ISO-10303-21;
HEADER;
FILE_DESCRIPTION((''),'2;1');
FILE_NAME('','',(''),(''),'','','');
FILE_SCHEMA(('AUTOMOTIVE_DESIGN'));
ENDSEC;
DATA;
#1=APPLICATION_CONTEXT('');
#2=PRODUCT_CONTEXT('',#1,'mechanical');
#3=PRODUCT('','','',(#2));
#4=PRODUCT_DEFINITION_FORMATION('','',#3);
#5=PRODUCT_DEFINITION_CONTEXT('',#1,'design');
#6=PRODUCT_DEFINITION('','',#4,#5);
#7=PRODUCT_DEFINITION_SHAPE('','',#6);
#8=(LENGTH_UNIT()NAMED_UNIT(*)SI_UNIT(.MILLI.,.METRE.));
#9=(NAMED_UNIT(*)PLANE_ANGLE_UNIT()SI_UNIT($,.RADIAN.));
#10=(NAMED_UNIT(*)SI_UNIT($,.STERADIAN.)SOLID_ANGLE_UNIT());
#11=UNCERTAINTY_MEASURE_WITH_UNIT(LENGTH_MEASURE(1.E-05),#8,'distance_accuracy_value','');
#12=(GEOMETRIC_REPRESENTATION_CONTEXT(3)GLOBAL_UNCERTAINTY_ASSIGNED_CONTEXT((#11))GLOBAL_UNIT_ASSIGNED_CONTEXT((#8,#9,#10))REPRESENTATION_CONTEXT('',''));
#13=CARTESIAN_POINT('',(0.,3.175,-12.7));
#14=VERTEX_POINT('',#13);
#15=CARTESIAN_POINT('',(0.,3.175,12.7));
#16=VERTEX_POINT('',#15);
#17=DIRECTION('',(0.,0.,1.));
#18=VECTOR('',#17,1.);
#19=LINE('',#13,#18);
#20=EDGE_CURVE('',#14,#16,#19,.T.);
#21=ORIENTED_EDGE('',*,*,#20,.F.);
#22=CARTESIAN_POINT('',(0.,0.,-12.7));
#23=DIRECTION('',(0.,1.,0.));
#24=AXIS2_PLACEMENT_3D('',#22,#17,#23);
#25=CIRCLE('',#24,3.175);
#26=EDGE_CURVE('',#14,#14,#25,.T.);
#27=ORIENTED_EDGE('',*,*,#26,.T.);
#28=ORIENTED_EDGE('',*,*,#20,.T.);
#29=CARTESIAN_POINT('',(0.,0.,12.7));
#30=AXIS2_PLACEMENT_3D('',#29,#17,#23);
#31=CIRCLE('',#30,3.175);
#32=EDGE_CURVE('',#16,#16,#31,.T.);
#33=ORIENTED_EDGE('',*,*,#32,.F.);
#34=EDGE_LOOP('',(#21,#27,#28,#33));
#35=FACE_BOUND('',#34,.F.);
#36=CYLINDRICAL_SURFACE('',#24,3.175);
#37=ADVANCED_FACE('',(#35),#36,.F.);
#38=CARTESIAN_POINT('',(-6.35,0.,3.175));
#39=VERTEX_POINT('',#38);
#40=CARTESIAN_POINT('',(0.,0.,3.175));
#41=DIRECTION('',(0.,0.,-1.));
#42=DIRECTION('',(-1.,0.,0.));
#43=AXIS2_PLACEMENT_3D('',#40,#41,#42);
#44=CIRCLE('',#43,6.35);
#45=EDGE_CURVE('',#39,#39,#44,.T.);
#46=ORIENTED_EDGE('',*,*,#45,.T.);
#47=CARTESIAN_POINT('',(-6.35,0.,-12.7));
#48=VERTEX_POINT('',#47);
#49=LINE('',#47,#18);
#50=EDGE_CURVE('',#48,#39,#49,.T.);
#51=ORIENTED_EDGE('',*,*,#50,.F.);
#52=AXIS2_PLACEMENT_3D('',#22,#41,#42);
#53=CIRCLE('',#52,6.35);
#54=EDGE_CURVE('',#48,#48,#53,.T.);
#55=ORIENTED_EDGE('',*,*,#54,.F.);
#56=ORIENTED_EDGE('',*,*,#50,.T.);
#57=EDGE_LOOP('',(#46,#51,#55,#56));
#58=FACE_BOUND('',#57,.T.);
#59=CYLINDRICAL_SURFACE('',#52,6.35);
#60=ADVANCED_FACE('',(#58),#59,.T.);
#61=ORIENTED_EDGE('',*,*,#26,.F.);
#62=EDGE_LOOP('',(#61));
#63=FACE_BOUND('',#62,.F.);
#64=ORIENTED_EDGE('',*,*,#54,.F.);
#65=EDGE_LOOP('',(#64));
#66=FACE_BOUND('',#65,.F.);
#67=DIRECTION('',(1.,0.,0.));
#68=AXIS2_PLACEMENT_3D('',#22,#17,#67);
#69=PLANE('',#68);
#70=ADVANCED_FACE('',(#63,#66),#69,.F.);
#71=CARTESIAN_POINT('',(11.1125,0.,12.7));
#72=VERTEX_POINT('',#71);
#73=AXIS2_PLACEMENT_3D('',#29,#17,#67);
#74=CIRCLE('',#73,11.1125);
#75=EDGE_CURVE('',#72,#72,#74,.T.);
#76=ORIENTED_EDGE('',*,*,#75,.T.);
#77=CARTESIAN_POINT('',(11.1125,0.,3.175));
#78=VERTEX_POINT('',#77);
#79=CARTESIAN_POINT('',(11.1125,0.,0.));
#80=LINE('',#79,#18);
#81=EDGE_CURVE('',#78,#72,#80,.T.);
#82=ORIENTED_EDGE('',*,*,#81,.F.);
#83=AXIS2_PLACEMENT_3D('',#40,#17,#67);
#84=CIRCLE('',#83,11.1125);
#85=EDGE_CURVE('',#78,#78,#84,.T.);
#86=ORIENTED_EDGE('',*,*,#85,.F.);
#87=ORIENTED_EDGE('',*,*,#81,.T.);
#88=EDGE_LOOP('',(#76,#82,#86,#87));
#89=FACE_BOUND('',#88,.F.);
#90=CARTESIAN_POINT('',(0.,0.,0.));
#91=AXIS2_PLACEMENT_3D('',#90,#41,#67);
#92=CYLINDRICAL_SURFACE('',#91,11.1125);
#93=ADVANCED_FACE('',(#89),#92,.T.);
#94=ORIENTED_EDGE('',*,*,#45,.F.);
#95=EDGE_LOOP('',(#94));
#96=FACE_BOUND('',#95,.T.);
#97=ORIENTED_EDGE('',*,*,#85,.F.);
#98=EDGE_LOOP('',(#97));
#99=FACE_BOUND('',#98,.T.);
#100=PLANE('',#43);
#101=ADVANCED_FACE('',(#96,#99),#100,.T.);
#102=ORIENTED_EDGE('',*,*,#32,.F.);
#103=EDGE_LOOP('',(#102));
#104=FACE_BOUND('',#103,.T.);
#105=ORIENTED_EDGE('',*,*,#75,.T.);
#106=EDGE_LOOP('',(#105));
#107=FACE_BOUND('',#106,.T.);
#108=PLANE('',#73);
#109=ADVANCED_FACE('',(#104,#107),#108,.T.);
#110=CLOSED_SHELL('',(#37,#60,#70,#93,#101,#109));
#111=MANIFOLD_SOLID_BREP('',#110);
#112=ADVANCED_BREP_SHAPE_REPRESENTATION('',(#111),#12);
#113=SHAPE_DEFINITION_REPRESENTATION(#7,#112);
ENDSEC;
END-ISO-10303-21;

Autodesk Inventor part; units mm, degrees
ref_plane "YZ Plane" through (0, 0, 0) normal (1, 0, 0) x (0, 1, 0)
ref_plane "XZ Plane" through (0, 0, 0) normal (0, 1, 0) x (-1, 0, 0)
ref_plane "XY Plane" through (0, 0, 0) normal (0, 0, 1) x (1, 0, 0)
sketch "Sketch1" plane through (0, 0, 0) normal (0, 0, 1) x (1, 0, 0)
  circle A0 centre (0, 0) radius 11.1125
  dimension "d0" = 22.225
extrude "Extrusion1" add sketch "Sketch1" along normal mid plane 25.4
sketch "Sketch3" plane through (0, 0, -12.7) normal (0, 0, -1) x (-1, 0, 0)
  circle A0 centre (0, 0) radius 11.1125 projected
  circle A1 centre (0, 0) radius 6.35
  dimension "d6" = 12.7
extrude "Extrusion3" cut sketch "Sketch3" against normal blind 15.875
sketch "Sketch5" plane through (0, 0, -12.7) normal (0, 0, -1) x (-1, 0, 0)
  circle A0 centre (0, 0) radius 6.35 construction
hole "Hole2" at (0, 0, -12.7) direction (0, 0, 1) diameter 6.35 end through all
properties part number "AR-013" material "Aluminum 6061"
